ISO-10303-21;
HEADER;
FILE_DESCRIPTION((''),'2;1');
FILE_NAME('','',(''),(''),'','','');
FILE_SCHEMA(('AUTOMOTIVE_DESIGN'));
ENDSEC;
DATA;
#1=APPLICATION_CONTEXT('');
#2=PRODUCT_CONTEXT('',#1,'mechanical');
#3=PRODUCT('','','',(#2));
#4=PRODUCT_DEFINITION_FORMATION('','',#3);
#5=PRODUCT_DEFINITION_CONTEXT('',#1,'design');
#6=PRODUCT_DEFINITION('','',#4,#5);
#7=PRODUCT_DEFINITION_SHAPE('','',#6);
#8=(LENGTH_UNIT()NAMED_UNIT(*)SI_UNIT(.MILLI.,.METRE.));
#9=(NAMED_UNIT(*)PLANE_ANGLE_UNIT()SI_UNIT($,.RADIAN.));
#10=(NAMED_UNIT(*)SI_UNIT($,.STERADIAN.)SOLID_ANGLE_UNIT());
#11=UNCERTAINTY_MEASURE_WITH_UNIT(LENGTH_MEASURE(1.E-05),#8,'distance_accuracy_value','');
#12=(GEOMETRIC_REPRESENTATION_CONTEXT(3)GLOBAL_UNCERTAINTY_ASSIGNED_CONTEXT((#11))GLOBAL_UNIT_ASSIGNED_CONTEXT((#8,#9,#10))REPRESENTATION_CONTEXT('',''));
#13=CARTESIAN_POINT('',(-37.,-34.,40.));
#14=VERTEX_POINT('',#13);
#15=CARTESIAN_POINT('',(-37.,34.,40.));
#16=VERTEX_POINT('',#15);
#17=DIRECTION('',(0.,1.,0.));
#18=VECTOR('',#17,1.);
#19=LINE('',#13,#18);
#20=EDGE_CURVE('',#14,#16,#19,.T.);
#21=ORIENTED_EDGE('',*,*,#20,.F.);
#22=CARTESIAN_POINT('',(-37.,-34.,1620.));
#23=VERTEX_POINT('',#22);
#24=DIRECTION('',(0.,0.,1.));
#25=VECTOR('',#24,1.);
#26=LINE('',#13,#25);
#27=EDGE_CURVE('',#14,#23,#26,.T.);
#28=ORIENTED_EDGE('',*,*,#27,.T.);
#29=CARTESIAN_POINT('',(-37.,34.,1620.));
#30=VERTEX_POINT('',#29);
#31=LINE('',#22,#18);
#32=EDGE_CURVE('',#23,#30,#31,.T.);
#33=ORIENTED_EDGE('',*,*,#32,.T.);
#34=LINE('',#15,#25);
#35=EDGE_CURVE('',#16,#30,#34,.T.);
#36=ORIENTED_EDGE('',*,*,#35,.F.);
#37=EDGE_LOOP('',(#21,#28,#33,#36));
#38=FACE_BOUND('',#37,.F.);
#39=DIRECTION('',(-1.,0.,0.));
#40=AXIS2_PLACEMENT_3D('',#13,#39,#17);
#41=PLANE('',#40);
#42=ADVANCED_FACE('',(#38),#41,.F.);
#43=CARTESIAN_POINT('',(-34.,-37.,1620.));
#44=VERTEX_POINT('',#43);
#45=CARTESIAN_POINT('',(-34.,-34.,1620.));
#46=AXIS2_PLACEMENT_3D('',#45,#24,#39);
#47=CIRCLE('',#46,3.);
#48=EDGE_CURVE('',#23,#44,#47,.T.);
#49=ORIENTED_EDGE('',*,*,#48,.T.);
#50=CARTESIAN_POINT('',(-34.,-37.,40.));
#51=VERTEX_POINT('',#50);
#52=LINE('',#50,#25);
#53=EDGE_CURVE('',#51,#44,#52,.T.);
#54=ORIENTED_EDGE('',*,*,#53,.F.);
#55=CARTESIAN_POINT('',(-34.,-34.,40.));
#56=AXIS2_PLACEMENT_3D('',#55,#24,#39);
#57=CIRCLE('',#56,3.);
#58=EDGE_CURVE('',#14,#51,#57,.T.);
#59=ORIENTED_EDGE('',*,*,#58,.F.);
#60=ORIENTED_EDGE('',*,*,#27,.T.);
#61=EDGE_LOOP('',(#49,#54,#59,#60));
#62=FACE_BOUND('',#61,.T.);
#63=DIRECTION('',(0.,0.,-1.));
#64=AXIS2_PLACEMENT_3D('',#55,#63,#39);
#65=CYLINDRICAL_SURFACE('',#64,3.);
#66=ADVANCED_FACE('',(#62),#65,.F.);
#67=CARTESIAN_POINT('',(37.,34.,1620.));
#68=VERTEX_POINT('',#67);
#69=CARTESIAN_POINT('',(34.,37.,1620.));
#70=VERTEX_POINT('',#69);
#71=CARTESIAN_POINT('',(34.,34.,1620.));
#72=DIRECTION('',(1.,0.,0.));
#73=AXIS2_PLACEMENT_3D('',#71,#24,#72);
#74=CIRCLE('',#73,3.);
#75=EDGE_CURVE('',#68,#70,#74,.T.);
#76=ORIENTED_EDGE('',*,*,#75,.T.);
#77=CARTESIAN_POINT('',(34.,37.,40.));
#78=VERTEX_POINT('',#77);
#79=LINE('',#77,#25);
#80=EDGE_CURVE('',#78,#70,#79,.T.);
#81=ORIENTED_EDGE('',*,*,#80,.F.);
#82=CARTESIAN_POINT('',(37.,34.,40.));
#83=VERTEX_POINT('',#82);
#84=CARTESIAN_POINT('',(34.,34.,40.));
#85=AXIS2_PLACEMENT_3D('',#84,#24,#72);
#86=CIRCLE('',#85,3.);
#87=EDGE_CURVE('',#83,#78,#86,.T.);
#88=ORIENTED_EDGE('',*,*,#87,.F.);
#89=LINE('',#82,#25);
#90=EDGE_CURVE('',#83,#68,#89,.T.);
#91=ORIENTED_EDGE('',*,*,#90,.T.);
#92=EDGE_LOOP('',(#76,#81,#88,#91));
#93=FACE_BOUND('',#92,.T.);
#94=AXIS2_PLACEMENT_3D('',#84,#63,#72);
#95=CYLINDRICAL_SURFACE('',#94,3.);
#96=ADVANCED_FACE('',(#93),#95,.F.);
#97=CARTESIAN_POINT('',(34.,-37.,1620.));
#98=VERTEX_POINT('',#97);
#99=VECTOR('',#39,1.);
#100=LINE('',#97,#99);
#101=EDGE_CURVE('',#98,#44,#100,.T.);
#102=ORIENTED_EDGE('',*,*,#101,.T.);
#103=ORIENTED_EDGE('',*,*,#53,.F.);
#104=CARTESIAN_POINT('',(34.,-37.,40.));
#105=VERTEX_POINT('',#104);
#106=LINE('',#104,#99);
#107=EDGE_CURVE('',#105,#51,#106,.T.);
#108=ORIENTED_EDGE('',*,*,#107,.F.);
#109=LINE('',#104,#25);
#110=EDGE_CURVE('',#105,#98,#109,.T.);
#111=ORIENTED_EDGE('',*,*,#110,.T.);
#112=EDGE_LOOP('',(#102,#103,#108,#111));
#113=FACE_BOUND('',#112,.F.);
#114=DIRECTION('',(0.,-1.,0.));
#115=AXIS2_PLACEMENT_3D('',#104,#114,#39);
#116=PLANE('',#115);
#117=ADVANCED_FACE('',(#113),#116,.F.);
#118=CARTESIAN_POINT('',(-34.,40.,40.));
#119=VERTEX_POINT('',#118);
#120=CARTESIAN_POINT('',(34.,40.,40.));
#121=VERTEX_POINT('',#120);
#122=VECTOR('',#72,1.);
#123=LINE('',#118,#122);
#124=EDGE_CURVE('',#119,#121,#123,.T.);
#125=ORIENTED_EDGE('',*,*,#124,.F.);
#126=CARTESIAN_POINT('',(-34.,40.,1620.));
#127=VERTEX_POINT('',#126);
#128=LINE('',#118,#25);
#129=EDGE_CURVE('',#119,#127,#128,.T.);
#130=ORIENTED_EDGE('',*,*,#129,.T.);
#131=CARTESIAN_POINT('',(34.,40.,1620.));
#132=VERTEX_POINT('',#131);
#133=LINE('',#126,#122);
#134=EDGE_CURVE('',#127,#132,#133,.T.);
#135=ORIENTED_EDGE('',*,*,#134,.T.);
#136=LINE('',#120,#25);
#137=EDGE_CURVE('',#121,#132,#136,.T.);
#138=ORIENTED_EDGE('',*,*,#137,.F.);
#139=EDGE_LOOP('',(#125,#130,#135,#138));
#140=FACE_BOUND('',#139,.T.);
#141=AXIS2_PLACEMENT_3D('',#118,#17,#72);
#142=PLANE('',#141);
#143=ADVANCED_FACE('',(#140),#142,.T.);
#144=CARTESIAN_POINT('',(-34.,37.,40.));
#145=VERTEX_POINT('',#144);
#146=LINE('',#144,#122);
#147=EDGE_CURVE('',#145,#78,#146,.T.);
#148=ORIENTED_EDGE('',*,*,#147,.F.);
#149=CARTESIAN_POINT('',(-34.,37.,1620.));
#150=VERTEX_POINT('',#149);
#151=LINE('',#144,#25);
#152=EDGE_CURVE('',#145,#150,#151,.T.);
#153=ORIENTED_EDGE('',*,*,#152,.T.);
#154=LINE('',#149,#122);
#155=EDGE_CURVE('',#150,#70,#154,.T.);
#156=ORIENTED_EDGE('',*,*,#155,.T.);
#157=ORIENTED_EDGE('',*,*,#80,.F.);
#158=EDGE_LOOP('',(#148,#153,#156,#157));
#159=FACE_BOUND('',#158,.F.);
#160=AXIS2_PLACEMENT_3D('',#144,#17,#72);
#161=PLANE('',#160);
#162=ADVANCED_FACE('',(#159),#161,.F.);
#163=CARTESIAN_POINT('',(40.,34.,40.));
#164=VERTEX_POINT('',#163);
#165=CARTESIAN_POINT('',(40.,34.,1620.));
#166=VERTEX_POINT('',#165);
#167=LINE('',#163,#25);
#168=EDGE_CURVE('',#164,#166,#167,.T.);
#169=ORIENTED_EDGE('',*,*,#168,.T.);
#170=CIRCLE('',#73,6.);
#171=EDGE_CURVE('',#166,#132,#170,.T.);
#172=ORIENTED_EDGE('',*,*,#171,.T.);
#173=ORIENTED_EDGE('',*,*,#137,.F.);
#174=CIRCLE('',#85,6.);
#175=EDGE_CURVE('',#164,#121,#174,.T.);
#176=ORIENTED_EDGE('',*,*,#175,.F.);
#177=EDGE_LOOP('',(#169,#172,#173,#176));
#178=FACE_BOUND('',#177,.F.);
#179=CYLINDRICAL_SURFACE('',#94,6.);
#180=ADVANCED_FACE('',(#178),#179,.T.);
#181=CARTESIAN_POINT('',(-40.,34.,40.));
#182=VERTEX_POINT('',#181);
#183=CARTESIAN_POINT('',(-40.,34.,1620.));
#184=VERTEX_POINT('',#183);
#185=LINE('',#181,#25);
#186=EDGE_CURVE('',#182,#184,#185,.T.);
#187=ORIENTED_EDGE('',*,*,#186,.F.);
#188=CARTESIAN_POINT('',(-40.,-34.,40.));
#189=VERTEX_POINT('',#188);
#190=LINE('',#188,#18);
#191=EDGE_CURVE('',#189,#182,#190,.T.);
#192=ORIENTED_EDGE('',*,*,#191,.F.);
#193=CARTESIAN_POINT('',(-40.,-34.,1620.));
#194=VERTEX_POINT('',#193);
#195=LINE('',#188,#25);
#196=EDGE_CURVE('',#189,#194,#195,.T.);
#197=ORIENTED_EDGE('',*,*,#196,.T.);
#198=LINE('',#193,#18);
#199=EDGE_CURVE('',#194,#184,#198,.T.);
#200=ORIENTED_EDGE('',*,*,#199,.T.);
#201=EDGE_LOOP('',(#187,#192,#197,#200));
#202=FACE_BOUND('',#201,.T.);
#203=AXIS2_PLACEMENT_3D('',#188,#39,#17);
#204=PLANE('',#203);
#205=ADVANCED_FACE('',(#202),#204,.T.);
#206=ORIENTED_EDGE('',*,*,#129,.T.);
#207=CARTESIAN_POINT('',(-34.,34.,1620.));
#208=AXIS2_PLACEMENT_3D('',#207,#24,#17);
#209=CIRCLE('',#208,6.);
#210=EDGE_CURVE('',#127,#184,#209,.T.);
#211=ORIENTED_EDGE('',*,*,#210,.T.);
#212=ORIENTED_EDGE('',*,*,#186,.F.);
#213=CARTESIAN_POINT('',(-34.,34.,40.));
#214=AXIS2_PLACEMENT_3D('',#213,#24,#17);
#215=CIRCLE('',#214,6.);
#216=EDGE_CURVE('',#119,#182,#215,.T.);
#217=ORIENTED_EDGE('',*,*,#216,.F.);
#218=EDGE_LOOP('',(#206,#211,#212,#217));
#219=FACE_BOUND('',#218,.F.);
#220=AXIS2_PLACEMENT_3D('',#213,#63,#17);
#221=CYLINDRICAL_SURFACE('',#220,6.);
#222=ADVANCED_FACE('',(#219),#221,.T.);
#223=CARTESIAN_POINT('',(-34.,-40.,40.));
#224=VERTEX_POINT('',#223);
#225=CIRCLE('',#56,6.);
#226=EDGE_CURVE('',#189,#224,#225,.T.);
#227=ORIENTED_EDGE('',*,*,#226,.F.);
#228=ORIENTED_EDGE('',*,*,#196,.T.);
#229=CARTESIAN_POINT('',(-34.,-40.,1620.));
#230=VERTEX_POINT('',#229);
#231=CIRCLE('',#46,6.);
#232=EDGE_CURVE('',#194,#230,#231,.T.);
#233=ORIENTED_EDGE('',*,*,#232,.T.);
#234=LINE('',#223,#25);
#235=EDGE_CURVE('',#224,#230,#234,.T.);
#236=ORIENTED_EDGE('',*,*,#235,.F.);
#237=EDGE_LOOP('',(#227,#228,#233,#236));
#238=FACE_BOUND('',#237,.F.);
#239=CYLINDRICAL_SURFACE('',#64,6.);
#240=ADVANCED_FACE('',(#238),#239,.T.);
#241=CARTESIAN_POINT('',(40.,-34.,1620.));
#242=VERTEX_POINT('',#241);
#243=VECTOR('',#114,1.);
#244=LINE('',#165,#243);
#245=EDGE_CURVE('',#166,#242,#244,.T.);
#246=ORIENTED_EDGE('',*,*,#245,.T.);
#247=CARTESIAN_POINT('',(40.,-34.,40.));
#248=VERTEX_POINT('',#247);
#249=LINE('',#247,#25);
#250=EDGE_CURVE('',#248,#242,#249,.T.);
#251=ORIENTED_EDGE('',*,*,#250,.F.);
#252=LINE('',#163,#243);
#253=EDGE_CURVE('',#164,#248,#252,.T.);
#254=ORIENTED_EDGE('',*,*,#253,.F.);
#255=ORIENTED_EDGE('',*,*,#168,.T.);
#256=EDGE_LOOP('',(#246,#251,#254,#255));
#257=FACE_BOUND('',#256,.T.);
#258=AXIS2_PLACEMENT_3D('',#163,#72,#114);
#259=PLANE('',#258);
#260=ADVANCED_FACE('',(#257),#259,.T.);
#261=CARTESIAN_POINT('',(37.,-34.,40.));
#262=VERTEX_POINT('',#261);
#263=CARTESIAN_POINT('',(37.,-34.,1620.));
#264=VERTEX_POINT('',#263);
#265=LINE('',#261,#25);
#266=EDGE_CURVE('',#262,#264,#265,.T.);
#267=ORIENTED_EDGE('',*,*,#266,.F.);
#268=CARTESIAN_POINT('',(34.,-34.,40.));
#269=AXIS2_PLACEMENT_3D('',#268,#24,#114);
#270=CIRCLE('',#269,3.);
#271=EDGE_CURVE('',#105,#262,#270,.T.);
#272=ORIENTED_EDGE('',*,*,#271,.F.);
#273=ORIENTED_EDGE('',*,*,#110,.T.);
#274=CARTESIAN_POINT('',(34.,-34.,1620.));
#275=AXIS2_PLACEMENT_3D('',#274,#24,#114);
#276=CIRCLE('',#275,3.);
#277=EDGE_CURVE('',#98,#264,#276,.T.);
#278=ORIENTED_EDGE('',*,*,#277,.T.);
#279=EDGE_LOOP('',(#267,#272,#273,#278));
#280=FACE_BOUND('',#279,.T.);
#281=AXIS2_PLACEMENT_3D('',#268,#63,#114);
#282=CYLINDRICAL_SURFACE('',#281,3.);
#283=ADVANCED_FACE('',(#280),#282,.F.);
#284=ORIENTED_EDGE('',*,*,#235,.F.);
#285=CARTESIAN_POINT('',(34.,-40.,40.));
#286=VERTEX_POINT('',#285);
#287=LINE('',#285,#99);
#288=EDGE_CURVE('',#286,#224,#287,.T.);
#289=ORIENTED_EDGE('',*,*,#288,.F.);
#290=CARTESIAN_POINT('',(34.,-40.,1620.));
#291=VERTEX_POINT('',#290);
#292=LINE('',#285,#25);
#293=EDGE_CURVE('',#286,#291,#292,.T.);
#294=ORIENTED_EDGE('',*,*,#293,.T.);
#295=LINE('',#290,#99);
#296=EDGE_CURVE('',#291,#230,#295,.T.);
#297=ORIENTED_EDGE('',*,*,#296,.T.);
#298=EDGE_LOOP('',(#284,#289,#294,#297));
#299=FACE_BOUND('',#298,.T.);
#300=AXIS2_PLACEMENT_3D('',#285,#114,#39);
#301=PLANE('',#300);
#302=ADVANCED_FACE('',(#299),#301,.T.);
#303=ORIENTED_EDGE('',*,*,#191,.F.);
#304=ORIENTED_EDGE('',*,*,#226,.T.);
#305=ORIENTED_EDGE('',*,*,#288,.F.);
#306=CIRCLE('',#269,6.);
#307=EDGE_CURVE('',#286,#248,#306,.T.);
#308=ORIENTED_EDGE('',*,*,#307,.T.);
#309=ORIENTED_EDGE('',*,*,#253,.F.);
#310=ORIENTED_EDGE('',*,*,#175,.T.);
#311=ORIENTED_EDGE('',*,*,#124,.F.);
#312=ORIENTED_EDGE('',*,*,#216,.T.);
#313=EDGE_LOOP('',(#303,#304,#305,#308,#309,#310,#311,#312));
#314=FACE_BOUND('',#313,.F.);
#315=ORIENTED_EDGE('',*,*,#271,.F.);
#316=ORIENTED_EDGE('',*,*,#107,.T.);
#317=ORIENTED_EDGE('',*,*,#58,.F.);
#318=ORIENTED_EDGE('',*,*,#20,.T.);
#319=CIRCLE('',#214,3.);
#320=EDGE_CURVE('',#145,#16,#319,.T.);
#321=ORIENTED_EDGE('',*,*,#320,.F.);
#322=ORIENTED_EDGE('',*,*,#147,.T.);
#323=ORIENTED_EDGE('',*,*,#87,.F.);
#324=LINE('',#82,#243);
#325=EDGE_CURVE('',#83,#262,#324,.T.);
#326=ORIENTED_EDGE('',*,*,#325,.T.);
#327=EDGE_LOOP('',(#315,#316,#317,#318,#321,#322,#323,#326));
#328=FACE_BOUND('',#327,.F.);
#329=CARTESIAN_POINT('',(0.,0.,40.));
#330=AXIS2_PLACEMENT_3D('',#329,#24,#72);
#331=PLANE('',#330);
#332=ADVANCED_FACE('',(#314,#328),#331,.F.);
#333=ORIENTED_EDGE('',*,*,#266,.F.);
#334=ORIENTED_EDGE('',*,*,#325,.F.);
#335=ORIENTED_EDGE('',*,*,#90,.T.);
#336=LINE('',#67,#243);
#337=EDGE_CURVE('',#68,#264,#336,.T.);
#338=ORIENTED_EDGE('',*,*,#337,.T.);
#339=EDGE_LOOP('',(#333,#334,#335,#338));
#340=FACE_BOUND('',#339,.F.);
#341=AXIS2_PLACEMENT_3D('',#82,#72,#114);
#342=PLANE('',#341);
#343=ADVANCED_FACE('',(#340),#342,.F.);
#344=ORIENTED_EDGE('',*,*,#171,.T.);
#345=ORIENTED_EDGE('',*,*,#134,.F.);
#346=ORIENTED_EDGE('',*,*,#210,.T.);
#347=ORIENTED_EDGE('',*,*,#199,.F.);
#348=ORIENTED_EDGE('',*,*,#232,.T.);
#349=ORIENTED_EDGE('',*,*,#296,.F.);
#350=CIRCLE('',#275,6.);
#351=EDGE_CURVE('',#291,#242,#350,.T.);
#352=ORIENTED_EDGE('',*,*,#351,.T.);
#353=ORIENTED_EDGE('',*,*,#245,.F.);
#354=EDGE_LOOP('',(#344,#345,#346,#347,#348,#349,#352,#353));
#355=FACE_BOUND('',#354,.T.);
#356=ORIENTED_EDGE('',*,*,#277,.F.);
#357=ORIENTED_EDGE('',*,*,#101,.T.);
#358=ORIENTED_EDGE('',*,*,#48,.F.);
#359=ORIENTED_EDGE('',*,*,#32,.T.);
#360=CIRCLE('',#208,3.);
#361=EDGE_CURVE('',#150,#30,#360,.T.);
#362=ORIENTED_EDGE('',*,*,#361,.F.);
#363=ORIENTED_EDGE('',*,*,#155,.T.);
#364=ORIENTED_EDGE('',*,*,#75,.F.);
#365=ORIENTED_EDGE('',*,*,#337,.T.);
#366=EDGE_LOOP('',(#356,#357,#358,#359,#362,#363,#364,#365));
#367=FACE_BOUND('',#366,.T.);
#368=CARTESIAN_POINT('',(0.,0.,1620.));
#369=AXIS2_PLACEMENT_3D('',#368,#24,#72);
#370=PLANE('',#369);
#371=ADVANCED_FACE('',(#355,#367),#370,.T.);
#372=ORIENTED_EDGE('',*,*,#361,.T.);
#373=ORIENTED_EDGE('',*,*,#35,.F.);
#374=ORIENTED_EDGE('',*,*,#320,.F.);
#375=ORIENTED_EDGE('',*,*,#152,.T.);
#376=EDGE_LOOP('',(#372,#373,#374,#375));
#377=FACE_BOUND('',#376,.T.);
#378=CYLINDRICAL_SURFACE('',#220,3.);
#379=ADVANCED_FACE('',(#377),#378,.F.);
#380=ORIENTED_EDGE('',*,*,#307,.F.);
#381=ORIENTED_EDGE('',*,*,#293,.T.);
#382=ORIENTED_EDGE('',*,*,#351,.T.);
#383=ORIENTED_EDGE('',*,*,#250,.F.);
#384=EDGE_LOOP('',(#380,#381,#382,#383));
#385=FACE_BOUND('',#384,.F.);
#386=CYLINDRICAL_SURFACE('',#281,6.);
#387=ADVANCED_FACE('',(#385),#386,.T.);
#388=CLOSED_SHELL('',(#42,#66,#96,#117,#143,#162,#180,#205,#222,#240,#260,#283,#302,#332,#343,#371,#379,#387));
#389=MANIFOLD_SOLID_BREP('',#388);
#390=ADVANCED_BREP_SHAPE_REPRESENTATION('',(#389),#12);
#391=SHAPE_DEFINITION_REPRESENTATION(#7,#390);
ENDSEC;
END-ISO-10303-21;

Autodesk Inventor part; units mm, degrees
ref_plane "YZ Plane" through (0, 0, 0) normal (1, 0, 0) x (0, 1, 0)
ref_plane "Start Plane" through (0, 0, 40) normal (0, 0, 1) x (1, 0, 0)
ref_plane "End Plane" through (0, 0, 1620) normal (0, 0, 1) x (1, 0, 0)
sketch "Sketch" plane through (0, 0, 0) normal (0, 0, 1) x (1, 0, 0)
  line L0 (-40, -34) -> (-40, 34)
  line L1 (-34, 40) -> (34, 40)
  line L2 (40, 34) -> (40, -34)
  line L3 (34, -40) -> (-34, -40)
  arc A0 (-40, -34) -> (-34, -40) centre (-34, -34) ccw
  arc A1 (40, 34) -> (34, 40) centre (34, 34) ccw
  arc A2 (-34, 40) -> (-40, 34) centre (-34, 34) ccw
  arc A3 (34, -40) -> (40, -34) centre (34, -34) ccw
  arc A4 (-34, 37) -> (-37, 34) centre (-34, 34) ccw
  line L4 (-34, 37) -> (34, 37)
  arc A5 (37, 34) -> (34, 37) centre (34, 34) ccw
  line L5 (37, 34) -> (37, -34)
  arc A6 (34, -37) -> (37, -34) centre (34, -34) ccw
  line L6 (34, -37) -> (-34, -37)
  arc A7 (-37, -34) -> (-34, -37) centre (-34, -34) ccw
  line L7 (-37, -34) -> (-37, 34)
  line L8 (0, 57.7397) -> (0, -57.7397) construction
  line L9 (-57.7397, 0) -> (57.7397, 0) construction
  dimension "d7" = 6
  dimension "d9" = 80
  dimension "d11" = 80
  dimension "d12" = 3
  dimension "d15" = 40
  dimension "d16" = 40
extrude "Body" add sketch "Sketch" along normal up to surface (1580 mm away) from surface at 40
sketch "Sketch3" plane through (0, 0, 0) normal (0, 0, 1) x (1, 0, 0)
  line L0 (0, 0) -> (10, 0)
ref_plane "Work Plane3" through (0, 0, 0) normal (0, -1, 0) x (1, 0, 0)
sketch "Sketch4" plane through (0, 0, 0) normal (0, -1, 0) x (1, 0, 0)
  line L0 (-2, 40) -> (12, 40) projected
  line L1 (-2, 1620) -> (12, 1620) projected
  dimension "d18" = 1580
equation "\"d7\" = G_IR"
equation "\"d9\" = G_W"
equation "\"d11\" = G_H"
equation "\"d12\" = G_T"
equation "\"d15\" = 0.5 * d9"
equation "\"d16\" = 0.5 * d11"
equation "\"d3\" = G_L"
equation "\"G_W\" = 80"
equation "\"G_H\" = 80"
equation "\"G_T\" = 3"
equation "\"G_IR\" = 6"
equation "\"G_L\" = d18"
properties part number "ISO 10799-2 - 80x80x3 - 1580" material "Steel, Mild"
